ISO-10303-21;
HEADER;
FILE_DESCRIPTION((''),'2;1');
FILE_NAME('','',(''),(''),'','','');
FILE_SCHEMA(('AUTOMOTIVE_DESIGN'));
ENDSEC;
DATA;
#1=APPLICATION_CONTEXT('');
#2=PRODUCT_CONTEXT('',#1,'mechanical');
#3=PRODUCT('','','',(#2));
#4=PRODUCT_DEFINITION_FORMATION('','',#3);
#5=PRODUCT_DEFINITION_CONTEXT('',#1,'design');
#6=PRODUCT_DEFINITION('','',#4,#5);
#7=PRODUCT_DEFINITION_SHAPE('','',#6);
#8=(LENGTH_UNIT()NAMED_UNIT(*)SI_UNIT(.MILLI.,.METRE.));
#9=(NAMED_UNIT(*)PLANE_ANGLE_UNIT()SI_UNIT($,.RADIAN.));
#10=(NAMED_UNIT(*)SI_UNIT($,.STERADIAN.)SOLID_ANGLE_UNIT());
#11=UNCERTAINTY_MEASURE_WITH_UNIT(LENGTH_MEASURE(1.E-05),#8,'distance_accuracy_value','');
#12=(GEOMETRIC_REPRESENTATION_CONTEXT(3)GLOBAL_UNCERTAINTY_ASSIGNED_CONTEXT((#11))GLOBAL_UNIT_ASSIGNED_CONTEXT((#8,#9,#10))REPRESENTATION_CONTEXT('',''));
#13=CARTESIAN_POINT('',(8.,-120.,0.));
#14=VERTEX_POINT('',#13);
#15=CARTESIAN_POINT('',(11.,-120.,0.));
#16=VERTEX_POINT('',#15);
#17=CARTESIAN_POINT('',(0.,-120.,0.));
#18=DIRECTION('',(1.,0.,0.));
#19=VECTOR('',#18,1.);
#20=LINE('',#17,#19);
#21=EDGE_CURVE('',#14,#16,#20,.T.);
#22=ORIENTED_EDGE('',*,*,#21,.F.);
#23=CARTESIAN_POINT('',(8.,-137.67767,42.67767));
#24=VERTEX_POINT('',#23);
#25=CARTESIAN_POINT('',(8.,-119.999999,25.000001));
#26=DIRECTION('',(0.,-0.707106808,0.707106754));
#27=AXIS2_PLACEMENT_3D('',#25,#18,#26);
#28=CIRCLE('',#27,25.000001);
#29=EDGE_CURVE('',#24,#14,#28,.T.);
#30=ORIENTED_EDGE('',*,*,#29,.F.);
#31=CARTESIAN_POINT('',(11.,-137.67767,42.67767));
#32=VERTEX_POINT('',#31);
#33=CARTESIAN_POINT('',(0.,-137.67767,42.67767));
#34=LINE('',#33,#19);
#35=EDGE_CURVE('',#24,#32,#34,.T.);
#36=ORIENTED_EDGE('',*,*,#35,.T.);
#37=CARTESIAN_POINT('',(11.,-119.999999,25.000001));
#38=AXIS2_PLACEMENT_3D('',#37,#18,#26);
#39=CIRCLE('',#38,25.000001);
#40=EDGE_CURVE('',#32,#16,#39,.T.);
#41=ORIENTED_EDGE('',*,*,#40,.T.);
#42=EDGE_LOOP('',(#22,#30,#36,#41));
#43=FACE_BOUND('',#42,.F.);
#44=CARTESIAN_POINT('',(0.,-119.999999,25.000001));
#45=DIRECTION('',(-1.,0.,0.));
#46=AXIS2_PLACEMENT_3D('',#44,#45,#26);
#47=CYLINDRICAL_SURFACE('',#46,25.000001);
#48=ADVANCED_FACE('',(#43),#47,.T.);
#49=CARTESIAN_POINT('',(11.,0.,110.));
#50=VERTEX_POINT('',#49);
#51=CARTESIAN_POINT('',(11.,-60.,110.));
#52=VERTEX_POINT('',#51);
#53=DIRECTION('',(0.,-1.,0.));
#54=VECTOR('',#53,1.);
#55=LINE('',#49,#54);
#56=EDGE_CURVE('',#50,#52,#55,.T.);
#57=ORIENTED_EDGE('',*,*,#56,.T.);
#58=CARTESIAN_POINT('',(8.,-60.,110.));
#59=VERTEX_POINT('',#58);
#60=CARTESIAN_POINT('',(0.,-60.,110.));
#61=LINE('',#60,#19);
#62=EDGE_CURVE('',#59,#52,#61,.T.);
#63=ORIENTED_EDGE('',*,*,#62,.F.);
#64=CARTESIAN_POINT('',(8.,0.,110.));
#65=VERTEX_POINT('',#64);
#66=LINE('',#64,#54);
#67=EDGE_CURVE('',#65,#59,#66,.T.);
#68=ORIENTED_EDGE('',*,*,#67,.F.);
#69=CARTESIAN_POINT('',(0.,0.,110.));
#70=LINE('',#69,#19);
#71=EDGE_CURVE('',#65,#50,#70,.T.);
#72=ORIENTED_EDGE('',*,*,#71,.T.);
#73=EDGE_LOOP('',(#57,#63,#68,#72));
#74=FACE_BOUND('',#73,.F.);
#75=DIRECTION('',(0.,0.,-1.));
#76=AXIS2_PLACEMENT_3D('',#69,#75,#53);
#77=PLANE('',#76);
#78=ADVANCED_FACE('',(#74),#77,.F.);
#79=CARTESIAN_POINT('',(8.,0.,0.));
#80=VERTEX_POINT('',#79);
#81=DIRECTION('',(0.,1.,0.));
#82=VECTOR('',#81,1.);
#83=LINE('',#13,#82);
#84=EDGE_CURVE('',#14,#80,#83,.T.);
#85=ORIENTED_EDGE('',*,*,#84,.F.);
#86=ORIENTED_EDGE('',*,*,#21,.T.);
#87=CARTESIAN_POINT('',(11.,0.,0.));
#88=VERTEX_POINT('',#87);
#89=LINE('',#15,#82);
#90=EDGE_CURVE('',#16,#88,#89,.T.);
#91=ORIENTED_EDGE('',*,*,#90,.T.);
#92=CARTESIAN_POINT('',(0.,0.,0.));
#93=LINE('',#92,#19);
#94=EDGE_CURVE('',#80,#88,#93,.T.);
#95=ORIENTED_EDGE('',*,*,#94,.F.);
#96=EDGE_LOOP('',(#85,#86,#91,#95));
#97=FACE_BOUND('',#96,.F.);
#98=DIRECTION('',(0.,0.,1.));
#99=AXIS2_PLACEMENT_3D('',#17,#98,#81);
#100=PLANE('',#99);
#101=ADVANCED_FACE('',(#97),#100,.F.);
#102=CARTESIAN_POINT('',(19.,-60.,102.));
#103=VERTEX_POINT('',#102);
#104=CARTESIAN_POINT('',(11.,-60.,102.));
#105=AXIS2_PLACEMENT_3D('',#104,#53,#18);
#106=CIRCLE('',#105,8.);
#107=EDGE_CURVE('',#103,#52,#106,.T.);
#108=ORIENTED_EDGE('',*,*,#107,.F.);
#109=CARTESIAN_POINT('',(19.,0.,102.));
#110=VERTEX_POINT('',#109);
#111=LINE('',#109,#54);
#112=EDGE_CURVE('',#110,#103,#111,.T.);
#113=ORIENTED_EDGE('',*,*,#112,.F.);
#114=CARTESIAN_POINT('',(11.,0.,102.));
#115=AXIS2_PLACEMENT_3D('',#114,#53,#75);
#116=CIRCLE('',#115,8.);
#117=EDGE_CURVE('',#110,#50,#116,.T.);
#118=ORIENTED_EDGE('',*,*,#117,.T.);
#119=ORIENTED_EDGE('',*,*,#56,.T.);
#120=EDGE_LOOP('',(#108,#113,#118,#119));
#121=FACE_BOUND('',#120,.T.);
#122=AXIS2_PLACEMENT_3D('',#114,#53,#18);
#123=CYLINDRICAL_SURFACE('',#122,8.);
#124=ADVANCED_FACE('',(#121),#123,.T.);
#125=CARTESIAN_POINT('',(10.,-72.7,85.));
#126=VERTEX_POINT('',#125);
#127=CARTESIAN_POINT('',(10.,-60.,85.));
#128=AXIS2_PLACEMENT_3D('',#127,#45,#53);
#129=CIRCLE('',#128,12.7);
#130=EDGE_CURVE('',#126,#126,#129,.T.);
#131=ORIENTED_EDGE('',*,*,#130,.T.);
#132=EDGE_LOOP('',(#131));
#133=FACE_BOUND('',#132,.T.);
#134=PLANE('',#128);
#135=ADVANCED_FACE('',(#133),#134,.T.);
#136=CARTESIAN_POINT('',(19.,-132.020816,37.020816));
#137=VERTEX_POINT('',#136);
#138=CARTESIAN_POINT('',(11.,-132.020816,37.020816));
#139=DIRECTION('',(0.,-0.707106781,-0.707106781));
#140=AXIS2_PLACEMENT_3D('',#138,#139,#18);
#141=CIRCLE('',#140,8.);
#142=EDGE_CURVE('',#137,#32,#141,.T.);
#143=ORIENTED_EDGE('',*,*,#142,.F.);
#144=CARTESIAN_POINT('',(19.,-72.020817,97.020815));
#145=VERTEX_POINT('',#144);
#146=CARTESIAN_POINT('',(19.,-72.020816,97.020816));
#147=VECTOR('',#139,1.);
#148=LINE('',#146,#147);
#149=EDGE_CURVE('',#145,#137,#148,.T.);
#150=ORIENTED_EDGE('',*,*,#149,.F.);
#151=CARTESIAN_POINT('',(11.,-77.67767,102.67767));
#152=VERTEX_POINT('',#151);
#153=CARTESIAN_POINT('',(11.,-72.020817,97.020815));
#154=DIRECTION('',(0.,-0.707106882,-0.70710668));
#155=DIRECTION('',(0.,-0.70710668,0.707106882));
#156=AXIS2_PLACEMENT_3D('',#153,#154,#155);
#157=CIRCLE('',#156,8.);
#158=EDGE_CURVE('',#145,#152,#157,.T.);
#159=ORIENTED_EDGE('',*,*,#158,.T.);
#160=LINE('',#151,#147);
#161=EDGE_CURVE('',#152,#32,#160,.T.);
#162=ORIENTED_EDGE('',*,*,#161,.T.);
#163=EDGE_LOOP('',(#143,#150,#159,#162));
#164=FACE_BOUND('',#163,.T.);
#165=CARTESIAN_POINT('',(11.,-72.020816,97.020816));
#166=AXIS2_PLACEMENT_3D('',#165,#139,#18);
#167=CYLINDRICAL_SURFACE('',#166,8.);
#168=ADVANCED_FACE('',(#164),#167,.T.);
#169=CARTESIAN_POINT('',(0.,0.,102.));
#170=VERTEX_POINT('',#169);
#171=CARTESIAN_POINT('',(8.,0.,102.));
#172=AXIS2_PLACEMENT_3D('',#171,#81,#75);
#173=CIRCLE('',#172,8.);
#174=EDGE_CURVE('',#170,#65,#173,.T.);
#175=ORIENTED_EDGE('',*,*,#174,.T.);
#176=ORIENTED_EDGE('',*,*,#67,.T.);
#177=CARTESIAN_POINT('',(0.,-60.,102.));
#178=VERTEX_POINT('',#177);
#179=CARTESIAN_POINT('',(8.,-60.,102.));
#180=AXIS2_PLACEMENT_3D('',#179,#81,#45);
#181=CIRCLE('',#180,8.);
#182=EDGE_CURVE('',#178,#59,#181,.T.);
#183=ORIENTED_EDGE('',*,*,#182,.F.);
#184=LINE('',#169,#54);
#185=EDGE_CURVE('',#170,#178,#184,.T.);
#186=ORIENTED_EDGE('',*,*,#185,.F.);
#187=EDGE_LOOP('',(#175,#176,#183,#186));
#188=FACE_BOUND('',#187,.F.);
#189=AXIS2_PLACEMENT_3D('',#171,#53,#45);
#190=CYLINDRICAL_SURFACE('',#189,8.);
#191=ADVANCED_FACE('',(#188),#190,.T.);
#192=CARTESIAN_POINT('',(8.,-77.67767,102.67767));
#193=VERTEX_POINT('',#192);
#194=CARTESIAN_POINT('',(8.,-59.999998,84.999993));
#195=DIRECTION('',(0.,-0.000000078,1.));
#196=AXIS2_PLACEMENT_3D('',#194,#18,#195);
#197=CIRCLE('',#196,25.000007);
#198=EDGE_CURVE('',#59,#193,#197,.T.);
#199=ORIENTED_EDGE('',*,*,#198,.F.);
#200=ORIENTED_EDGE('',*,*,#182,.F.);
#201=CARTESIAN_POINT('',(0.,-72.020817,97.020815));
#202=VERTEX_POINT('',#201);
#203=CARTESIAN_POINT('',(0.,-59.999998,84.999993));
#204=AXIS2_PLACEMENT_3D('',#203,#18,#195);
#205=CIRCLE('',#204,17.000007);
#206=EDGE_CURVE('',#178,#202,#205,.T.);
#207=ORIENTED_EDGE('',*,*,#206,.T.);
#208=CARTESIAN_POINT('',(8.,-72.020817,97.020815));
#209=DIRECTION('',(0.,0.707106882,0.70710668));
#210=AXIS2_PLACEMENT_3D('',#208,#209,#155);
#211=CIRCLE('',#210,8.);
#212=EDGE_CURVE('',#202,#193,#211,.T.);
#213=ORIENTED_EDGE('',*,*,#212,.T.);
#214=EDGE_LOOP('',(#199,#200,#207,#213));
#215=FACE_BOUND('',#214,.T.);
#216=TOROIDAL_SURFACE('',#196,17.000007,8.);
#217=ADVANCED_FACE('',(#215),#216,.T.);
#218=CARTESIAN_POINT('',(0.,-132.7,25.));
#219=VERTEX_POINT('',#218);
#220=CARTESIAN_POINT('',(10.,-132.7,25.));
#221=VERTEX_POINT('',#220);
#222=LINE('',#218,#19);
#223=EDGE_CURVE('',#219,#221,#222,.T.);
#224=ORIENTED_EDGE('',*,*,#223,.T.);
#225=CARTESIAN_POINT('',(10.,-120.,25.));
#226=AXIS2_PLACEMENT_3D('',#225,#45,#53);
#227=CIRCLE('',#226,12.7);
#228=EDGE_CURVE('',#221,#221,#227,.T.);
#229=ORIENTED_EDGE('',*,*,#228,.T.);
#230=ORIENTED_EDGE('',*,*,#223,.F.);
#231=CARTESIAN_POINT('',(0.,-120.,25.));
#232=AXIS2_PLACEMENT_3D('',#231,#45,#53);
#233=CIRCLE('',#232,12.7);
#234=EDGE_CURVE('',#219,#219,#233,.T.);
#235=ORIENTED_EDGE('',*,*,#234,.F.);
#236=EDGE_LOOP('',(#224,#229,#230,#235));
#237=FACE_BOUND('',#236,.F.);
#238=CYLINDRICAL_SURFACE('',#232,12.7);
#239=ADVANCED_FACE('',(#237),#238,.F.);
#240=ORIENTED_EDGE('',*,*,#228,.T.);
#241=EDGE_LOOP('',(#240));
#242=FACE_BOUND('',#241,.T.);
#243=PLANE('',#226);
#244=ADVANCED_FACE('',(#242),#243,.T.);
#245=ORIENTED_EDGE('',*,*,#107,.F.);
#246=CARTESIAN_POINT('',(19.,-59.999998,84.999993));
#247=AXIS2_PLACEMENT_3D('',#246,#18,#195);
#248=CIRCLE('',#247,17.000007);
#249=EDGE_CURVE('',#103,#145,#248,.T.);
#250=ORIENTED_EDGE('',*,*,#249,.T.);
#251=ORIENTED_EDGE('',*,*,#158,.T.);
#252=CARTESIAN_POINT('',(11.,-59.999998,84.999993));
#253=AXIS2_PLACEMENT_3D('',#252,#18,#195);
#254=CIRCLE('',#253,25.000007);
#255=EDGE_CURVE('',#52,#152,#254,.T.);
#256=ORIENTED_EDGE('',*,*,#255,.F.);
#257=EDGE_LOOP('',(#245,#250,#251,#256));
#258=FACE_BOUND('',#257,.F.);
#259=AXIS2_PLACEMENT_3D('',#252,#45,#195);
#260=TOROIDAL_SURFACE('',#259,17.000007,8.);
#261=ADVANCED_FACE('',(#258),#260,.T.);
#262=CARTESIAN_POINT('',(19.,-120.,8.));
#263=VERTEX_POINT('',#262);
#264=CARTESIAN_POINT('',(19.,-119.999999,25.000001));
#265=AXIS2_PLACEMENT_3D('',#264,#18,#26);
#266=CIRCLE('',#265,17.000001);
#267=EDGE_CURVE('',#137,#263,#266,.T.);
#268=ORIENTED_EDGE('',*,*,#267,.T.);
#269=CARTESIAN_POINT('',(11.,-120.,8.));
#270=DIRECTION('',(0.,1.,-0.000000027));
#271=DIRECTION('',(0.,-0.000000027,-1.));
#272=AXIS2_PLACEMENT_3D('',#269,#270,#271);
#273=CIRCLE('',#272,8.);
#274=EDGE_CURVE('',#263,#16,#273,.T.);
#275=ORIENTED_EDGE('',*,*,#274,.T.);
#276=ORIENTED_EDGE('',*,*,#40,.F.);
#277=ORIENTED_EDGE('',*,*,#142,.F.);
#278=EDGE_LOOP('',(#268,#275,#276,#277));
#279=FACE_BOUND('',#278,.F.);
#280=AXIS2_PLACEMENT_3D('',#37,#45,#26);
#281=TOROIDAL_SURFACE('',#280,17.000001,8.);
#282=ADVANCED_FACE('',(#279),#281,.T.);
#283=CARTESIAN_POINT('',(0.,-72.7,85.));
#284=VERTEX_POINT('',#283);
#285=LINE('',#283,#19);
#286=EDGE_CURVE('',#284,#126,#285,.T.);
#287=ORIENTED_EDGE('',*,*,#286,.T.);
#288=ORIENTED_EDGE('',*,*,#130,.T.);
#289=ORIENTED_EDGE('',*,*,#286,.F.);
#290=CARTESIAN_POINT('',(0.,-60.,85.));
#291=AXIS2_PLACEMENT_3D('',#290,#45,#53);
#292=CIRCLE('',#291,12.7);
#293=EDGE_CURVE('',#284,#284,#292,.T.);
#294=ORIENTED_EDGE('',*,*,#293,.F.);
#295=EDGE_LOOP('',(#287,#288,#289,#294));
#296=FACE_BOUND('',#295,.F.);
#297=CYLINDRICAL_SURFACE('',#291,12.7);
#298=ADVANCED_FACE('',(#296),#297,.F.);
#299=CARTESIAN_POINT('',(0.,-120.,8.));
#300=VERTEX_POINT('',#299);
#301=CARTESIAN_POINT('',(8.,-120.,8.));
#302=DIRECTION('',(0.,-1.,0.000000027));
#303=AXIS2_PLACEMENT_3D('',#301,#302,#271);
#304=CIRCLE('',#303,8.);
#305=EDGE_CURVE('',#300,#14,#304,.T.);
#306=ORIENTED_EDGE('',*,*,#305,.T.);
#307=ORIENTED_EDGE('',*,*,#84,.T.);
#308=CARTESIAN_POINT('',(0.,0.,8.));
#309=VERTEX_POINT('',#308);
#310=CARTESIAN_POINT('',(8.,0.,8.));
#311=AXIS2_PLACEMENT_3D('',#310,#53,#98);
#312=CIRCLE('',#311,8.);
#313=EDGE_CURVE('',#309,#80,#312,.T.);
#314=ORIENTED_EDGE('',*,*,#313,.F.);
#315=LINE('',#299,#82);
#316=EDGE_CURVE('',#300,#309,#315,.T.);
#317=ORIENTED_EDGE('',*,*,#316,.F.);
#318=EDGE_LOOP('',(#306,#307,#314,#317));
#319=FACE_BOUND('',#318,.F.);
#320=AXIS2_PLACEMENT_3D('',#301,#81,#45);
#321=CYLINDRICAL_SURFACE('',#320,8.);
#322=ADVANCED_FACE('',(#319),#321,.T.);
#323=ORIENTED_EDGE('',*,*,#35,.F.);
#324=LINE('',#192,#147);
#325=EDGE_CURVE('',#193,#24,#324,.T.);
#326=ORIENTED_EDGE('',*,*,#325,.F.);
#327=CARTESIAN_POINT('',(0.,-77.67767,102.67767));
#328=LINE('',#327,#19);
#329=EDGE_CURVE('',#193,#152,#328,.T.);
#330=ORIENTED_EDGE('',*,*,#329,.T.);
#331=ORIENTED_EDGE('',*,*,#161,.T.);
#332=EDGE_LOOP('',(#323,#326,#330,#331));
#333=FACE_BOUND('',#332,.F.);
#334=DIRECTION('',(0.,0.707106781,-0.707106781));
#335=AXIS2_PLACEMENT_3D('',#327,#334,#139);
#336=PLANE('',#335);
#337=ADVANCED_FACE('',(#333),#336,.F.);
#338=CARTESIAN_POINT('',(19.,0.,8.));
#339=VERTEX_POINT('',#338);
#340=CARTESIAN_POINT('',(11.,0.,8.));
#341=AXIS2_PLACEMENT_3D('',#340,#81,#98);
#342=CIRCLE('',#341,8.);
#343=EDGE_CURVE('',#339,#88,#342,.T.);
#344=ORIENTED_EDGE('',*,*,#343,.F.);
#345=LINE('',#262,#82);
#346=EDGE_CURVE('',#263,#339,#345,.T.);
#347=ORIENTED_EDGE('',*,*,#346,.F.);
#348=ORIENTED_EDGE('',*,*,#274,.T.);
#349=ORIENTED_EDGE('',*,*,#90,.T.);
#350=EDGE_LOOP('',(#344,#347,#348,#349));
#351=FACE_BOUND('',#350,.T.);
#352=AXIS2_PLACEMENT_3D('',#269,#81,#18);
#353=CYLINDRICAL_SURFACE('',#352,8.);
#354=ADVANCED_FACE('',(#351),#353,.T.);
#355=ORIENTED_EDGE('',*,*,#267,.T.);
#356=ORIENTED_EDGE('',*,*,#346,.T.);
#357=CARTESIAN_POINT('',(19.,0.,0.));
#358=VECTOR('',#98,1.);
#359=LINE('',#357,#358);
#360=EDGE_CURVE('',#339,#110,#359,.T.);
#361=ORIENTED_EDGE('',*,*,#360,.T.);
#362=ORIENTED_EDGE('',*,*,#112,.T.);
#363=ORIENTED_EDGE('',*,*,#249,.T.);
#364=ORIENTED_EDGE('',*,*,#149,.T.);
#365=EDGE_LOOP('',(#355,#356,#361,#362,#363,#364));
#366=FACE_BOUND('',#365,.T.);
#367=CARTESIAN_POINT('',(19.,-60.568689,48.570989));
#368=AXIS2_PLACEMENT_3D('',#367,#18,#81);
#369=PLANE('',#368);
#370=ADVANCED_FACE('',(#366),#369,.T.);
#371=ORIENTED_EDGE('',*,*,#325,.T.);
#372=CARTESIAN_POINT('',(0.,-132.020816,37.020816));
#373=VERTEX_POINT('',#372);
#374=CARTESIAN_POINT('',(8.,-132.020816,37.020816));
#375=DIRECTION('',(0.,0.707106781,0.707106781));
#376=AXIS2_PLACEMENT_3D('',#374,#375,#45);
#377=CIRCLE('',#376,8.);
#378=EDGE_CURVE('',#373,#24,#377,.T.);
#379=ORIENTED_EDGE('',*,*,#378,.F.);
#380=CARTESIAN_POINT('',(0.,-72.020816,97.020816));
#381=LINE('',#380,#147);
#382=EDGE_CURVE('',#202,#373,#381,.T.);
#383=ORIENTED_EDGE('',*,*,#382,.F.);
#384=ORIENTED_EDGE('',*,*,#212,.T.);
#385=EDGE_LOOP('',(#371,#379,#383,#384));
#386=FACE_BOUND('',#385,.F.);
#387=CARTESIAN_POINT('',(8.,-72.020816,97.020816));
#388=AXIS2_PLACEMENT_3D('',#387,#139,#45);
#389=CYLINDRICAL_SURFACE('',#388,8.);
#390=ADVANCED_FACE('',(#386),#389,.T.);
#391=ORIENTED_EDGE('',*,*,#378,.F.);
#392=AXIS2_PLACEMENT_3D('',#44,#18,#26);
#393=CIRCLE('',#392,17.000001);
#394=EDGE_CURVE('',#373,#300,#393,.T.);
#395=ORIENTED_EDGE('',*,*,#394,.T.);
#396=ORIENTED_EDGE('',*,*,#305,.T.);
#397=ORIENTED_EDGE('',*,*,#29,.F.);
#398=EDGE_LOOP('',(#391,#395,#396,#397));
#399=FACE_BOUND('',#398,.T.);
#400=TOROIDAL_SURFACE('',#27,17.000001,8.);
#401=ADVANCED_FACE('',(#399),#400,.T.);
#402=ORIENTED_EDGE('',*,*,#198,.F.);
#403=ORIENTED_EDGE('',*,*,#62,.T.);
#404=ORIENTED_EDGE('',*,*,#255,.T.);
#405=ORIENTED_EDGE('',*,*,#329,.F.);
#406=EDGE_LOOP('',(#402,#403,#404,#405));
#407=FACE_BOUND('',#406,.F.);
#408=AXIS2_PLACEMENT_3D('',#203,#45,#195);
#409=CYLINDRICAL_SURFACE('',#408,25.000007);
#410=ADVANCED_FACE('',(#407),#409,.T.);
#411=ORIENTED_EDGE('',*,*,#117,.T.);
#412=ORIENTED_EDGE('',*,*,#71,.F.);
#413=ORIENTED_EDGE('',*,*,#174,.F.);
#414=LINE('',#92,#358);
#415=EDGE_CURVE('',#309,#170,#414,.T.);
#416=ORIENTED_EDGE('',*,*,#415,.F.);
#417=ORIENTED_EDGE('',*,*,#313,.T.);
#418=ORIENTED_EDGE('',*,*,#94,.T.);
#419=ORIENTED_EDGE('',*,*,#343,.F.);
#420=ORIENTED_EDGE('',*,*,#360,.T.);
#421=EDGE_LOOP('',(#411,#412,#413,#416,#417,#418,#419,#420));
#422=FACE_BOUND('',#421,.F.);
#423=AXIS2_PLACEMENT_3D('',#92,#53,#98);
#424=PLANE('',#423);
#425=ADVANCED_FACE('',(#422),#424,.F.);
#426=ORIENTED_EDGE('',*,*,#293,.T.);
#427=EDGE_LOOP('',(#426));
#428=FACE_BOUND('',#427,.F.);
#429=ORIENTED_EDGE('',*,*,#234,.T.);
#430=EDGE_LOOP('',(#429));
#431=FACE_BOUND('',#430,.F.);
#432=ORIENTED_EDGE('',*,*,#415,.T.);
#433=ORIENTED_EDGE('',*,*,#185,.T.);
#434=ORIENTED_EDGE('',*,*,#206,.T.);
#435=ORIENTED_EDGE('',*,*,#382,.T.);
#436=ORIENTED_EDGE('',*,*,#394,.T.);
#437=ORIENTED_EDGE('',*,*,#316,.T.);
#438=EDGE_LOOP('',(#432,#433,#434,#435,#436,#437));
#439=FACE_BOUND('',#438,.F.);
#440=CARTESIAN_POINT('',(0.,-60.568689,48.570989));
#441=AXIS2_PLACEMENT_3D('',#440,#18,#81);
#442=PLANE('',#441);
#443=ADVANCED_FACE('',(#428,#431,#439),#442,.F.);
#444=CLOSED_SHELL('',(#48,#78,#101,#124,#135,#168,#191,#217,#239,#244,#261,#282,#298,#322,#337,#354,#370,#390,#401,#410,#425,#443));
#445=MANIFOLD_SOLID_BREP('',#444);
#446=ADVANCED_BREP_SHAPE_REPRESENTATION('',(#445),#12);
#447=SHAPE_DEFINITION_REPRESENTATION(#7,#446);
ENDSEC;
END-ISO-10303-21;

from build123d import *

# Parameters (mm, degrees)
F1_DEPTH = 19
F2_R     = 12.7
F3_DEPTH = 10
F4_R     = 8
F5_R     = 8


with BuildPart() as f1:
    # F0 (on Right) → F1 (new body)
    with BuildSketch(Plane.YZ):
        with BuildLine():
            Line((-120, 0), (0, 0))
            Line((0, 0), (0, 110))
            Line((0, 110), (-60, 110))
            ThreePointArc((-60, 110), (-69.567086, 108.096988), (-77.67767, 102.67767))
            Line((-77.67767, 102.67767), (-137.67767, 42.67767))
            ThreePointArc((-137.67767, 42.67767), (-143.096988, 15.432914), (-120, 0))
        make_face()
    extrude(amount=F1_DEPTH)

    # F2 (on face) → F3 (cut)
    with BuildSketch(Plane(origin=(0, 0, 0), x_dir=(0, -1, 0), z_dir=(-1, 0, 0))):
        with Locations((60, 85)):
            Circle(F2_R)
        with Locations((120, 25)):
            Circle(F2_R)
    extrude(amount=-F3_DEPTH, mode=Mode.SUBTRACT)

    # F4
    f4_edges = [f1.edges().sort_by_distance(p)[0] for p in [
        (0, -30, 110),
    ]]
    fillet(f4_edges, radius=F4_R)

    # F5
    f5_edges = [f1.edges().sort_by_distance(p)[0] for p in [
        (19, -30, 110),
    ]]
    fillet(f5_edges, radius=F5_R)


solid = f1.part
